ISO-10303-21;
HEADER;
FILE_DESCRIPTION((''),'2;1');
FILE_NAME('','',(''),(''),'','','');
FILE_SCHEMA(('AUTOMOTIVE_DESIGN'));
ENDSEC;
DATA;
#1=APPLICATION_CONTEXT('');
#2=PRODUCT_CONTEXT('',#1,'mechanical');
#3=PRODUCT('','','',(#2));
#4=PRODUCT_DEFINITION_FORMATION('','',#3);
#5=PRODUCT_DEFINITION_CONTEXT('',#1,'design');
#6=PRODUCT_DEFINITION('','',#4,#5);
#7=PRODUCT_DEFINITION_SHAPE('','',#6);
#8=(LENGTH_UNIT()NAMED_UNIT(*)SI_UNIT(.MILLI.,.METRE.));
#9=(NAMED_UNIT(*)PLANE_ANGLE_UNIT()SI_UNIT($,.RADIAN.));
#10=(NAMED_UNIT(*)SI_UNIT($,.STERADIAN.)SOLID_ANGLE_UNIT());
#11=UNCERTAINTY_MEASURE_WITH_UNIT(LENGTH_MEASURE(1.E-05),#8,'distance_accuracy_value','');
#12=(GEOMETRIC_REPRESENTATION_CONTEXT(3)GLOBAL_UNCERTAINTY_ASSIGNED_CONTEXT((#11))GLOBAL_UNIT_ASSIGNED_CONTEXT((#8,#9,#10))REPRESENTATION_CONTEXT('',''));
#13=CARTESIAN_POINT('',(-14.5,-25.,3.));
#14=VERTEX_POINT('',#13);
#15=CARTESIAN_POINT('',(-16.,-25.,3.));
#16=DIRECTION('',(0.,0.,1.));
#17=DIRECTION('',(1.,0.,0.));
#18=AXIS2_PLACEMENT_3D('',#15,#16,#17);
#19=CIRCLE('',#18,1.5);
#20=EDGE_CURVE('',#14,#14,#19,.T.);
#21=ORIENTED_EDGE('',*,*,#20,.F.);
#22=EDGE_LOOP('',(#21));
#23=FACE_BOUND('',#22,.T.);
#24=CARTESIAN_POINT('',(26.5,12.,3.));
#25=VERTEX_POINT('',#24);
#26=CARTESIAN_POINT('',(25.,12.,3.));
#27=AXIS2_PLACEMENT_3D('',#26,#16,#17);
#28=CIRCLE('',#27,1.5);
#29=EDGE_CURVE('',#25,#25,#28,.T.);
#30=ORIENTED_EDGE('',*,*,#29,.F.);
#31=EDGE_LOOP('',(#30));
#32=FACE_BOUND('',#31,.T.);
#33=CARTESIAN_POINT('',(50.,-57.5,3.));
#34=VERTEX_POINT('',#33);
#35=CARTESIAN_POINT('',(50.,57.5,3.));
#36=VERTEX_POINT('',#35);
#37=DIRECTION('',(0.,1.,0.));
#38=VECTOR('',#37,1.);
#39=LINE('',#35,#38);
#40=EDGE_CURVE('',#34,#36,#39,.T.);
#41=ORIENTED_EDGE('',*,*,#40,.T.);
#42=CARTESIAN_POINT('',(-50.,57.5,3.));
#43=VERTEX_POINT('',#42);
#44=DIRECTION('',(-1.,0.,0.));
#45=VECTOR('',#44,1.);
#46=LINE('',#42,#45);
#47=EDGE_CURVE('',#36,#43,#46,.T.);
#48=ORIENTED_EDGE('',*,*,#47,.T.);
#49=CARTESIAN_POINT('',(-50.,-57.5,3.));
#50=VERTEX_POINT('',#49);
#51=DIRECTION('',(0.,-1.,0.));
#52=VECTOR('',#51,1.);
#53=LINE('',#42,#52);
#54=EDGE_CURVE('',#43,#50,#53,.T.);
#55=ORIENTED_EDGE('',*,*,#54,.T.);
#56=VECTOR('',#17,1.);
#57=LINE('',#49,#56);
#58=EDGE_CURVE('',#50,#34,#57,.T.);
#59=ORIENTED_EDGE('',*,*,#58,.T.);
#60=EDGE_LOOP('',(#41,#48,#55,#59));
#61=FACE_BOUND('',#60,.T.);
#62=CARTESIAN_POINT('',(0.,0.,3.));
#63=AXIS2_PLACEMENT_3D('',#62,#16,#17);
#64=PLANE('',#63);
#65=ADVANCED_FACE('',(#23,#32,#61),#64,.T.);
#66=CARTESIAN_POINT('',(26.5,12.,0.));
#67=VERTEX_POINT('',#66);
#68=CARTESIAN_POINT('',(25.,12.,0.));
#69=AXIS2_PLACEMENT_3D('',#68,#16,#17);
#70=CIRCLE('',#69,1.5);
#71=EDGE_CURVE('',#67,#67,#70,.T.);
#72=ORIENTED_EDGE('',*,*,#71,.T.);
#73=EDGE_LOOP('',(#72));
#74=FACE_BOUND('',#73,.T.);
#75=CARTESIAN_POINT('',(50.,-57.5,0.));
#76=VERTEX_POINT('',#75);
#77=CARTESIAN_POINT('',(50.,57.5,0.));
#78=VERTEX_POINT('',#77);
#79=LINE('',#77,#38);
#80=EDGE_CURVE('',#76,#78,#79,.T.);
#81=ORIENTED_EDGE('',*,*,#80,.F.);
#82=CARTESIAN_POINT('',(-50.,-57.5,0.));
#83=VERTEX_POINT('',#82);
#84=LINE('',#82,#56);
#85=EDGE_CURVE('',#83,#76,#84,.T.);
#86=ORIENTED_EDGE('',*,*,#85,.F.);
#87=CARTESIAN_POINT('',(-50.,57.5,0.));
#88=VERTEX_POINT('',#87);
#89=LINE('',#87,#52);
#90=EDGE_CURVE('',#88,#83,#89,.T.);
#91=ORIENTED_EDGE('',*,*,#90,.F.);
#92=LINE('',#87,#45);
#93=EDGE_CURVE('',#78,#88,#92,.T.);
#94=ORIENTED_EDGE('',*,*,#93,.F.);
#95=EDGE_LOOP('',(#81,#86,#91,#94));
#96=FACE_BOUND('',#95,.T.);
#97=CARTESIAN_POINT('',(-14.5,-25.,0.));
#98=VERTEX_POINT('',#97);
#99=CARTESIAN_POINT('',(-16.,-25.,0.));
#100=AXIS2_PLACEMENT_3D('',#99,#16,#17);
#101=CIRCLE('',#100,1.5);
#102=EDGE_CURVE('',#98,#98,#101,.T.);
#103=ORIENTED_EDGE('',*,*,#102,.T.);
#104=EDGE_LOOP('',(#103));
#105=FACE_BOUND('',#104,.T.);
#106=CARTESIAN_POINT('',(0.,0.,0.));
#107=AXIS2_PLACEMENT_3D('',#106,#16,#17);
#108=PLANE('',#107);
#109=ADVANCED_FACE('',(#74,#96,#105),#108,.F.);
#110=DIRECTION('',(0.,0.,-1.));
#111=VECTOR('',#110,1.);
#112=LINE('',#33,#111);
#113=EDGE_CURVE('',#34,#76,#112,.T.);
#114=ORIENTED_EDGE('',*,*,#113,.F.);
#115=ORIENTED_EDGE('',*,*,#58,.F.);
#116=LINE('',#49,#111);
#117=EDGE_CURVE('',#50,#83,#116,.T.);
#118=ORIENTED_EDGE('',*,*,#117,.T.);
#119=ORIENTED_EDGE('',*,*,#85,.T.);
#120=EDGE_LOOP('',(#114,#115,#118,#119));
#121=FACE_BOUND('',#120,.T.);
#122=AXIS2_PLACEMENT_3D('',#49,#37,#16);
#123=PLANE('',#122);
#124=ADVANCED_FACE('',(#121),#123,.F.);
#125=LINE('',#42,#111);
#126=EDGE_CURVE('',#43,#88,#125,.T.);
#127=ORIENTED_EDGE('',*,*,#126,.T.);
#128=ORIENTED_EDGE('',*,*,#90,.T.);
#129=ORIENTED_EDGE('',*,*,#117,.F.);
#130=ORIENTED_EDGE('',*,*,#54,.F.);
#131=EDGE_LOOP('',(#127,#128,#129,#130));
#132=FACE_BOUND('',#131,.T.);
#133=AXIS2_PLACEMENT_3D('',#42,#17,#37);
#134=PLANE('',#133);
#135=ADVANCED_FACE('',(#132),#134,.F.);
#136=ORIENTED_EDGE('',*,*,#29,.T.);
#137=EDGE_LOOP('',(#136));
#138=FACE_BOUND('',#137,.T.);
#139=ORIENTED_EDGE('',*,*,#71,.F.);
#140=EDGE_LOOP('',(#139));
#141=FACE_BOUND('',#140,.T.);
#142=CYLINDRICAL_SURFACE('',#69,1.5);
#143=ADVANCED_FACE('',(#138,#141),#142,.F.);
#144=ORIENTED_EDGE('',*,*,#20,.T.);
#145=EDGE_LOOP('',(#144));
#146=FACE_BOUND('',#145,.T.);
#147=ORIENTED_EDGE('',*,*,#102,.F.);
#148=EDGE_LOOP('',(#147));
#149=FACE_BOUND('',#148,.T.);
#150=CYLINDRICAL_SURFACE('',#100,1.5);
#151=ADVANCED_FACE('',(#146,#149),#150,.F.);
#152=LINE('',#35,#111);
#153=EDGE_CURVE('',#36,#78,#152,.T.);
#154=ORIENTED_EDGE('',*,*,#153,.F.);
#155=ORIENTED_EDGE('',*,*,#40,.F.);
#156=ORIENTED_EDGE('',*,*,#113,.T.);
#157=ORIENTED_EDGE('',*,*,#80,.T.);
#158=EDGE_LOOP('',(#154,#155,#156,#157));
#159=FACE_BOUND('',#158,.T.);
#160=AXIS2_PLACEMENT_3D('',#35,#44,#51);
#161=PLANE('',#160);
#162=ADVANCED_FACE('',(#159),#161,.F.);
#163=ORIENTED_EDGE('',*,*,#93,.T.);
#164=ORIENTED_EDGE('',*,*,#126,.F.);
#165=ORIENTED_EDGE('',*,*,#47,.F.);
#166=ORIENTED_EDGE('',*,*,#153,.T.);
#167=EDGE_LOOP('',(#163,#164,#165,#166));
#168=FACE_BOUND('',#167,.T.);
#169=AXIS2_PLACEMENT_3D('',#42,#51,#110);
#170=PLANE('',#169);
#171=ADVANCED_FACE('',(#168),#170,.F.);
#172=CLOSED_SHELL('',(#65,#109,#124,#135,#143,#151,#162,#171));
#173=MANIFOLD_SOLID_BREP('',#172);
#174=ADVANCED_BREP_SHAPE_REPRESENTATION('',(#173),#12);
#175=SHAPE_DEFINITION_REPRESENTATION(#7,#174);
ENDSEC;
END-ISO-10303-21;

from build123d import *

# Parameters (mm, degrees)
ESQUISSE1_W             = 100
ESQUISSE1_H             = 115
BOSS_EXTRU_1_DEPTH      = 3
ESQUISSE2_R             = 1.5
ENL_V_MAT_EXTRU_1_DEPTH = 3


with BuildPart() as part:
    # Esquisse1 → Boss.-Extru.1 (new body)
    with BuildSketch(Plane.XY):
        Rectangle(ESQUISSE1_W, ESQUISSE1_H)
    extrude(amount=BOSS_EXTRU_1_DEPTH)

    # Esquisse2 → Enlèv. mat.-Extru.1 (cut)
    with BuildSketch(Plane.XY.offset(3)):
        with Locations((25, 12)):
            Circle(ESQUISSE2_R)
        with Locations((-16, -25)):
            Circle(ESQUISSE2_R)
    extrude(amount=-ENL_V_MAT_EXTRU_1_DEPTH, mode=Mode.SUBTRACT)


solid = part.part
